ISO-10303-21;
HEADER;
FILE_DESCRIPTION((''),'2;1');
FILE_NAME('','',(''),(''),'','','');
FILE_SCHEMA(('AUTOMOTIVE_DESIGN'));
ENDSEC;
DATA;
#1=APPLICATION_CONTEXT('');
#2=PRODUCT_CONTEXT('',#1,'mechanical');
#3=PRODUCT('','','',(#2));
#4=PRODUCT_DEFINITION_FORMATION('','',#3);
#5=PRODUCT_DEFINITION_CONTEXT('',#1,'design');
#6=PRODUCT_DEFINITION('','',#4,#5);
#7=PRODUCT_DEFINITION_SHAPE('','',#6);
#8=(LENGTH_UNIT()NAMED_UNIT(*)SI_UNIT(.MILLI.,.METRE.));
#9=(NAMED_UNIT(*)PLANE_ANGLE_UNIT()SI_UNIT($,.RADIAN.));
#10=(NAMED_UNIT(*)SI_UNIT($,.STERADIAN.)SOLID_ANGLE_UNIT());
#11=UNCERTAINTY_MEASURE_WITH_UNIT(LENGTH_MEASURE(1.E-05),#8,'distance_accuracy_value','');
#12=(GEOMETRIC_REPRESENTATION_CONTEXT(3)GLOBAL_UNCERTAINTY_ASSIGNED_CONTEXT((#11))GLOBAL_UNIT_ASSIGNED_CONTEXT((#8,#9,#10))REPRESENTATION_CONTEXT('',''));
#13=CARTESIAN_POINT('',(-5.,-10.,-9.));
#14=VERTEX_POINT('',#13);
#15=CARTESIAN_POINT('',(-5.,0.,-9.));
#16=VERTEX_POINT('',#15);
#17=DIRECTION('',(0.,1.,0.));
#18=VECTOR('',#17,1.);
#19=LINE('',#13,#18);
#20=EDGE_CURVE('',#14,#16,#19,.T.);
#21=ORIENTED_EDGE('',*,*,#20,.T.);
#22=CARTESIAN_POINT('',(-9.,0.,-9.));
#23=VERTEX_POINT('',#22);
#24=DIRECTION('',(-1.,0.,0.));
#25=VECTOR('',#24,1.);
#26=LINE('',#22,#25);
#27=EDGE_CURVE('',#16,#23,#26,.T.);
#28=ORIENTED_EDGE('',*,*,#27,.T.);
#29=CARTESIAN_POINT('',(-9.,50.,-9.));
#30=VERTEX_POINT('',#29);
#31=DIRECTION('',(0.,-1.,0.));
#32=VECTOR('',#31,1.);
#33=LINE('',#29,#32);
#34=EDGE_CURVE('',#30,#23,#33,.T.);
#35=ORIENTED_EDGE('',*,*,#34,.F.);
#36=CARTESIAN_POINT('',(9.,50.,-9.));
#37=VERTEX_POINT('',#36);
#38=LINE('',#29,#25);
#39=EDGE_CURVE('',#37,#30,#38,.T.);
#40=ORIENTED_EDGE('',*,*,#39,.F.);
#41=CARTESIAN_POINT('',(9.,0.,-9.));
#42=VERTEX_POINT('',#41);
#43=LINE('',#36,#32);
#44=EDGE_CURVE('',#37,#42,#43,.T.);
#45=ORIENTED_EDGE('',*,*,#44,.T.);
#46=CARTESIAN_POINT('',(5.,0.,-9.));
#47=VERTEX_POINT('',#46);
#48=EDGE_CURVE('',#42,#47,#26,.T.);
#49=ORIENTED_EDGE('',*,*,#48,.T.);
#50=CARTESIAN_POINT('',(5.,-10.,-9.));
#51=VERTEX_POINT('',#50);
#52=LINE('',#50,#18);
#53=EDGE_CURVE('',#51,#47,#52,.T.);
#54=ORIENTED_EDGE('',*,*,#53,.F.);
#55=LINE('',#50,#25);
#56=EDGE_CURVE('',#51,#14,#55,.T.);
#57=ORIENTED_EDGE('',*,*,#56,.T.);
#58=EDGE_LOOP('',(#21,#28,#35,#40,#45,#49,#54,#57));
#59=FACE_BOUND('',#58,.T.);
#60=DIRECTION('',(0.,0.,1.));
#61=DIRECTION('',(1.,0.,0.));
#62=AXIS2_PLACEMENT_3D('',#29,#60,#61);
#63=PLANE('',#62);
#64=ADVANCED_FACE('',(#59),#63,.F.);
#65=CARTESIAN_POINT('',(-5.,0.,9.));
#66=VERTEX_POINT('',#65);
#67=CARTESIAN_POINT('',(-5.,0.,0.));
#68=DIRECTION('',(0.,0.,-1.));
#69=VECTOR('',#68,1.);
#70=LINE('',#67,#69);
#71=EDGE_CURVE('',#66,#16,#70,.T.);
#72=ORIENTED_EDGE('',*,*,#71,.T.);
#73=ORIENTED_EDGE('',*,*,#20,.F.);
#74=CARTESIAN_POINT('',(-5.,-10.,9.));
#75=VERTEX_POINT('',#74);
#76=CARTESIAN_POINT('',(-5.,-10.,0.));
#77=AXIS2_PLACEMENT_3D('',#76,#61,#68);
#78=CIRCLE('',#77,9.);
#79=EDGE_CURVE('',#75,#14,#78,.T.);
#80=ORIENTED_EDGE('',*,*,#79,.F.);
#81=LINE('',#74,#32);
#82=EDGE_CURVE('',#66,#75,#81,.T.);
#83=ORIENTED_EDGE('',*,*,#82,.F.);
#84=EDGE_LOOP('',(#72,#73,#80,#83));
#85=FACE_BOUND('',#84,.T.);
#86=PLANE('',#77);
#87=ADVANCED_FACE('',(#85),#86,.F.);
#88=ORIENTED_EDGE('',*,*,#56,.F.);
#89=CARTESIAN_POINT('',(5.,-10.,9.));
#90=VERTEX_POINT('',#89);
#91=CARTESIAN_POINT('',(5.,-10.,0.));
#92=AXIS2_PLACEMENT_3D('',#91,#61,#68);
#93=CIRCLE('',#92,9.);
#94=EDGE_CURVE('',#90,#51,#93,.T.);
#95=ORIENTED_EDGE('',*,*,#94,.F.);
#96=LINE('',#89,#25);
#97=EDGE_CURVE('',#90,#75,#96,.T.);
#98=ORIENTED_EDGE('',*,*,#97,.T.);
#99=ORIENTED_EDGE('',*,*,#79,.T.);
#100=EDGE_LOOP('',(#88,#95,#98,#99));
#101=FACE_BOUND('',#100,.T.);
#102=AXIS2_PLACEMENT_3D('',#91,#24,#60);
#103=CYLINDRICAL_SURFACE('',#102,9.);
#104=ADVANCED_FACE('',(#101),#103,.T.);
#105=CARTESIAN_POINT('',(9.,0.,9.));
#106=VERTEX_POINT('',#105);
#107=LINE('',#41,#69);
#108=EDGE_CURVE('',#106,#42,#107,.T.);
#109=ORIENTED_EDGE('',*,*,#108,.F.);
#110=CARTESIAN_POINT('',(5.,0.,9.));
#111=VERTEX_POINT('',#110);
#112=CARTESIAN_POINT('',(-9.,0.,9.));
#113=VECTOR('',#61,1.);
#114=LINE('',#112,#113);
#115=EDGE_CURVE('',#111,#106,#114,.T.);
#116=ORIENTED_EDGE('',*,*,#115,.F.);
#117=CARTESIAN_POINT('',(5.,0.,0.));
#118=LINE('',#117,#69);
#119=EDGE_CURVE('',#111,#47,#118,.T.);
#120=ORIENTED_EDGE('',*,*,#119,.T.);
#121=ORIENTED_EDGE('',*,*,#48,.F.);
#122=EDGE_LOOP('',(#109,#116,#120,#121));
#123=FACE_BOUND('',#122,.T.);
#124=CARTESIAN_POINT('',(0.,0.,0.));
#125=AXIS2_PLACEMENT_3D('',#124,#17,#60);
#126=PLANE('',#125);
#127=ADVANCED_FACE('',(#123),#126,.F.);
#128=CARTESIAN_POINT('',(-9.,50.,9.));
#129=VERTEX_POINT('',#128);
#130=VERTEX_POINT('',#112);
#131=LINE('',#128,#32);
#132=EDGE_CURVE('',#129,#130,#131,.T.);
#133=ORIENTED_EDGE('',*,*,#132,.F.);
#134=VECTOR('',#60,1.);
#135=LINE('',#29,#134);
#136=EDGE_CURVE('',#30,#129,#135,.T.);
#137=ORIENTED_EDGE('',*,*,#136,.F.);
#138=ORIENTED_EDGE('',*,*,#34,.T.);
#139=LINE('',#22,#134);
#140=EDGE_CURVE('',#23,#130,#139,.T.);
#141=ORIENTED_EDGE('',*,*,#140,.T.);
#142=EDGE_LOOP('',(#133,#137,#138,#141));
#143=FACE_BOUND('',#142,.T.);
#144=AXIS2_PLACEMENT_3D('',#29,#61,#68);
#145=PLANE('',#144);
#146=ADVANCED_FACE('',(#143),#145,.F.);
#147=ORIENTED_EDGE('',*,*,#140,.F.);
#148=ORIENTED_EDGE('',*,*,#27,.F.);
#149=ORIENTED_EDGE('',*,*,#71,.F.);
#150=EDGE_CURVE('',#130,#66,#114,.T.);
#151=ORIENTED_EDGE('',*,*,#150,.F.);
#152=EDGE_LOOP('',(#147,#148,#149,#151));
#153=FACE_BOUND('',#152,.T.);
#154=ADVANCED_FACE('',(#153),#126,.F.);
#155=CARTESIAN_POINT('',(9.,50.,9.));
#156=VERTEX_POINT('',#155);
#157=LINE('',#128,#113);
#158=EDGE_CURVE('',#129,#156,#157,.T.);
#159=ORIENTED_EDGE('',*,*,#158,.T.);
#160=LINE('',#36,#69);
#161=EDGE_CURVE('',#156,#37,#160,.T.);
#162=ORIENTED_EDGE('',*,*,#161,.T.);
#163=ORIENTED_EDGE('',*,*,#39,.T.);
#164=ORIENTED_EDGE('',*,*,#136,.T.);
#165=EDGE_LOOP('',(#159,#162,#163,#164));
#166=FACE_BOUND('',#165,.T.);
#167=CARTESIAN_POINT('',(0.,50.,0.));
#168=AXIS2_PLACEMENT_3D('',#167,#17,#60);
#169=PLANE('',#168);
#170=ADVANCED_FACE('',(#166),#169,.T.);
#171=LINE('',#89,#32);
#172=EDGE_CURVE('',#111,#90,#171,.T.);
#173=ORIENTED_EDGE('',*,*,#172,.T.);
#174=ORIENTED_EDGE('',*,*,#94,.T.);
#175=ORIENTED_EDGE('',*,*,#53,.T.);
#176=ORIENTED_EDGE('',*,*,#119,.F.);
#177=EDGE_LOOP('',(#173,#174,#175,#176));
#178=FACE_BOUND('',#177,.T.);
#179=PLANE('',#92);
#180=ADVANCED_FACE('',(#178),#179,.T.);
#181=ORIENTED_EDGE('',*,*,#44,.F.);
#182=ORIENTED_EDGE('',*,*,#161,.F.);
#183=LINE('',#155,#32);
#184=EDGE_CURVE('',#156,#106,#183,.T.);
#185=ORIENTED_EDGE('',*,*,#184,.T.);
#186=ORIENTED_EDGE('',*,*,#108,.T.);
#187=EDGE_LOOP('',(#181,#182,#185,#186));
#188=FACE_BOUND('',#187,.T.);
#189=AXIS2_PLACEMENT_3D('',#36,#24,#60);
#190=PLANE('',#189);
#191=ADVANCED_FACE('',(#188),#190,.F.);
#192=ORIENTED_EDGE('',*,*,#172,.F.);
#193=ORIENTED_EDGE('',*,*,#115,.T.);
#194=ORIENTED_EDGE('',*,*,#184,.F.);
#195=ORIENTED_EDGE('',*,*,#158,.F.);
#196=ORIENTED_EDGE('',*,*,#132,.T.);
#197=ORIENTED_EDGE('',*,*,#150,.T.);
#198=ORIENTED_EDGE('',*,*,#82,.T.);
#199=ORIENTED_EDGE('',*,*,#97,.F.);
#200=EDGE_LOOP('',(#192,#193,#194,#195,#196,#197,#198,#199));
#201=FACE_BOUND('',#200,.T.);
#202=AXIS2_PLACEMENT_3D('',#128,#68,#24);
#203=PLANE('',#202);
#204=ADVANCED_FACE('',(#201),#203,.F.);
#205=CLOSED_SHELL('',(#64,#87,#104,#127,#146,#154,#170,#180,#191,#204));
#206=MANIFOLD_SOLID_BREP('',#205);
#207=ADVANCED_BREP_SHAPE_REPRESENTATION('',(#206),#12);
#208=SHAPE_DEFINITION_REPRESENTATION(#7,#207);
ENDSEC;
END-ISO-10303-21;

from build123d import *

# Parameters (mm, degrees)
SKETCH_1_W      = 18
SKETCH_1_H      = 18
EXTRUDE_1_DEPTH = 50
EXTRUDE_2_DEPTH = 5


with BuildPart() as part:
    # 草图1 → 凸台-拉伸1 (new body)
    with BuildSketch(Plane(origin=(0, 0, 0), x_dir=(1, 0, 0), z_dir=(0, 1, 0))):
        Rectangle(SKETCH_1_W, SKETCH_1_H)
    extrude(amount=EXTRUDE_1_DEPTH)

    # 草图2 → 凸台-拉伸2 (add, symmetric)
    with BuildSketch(Plane(origin=(0, 0, 0), x_dir=(0, 0, -1), z_dir=(1, 0, 0))):
        with BuildLine():
            Line((-9, -10), (-9, 1.037830192))
            Line((-9, 1.037830192), (9, 1.037830192))
            Line((9, 1.037830192), (9, -10))
            ThreePointArc((9, -10), (0, -19), (-9, -10))
        make_face()
    extrude(amount=EXTRUDE_2_DEPTH, both=True)


solid = part.part
